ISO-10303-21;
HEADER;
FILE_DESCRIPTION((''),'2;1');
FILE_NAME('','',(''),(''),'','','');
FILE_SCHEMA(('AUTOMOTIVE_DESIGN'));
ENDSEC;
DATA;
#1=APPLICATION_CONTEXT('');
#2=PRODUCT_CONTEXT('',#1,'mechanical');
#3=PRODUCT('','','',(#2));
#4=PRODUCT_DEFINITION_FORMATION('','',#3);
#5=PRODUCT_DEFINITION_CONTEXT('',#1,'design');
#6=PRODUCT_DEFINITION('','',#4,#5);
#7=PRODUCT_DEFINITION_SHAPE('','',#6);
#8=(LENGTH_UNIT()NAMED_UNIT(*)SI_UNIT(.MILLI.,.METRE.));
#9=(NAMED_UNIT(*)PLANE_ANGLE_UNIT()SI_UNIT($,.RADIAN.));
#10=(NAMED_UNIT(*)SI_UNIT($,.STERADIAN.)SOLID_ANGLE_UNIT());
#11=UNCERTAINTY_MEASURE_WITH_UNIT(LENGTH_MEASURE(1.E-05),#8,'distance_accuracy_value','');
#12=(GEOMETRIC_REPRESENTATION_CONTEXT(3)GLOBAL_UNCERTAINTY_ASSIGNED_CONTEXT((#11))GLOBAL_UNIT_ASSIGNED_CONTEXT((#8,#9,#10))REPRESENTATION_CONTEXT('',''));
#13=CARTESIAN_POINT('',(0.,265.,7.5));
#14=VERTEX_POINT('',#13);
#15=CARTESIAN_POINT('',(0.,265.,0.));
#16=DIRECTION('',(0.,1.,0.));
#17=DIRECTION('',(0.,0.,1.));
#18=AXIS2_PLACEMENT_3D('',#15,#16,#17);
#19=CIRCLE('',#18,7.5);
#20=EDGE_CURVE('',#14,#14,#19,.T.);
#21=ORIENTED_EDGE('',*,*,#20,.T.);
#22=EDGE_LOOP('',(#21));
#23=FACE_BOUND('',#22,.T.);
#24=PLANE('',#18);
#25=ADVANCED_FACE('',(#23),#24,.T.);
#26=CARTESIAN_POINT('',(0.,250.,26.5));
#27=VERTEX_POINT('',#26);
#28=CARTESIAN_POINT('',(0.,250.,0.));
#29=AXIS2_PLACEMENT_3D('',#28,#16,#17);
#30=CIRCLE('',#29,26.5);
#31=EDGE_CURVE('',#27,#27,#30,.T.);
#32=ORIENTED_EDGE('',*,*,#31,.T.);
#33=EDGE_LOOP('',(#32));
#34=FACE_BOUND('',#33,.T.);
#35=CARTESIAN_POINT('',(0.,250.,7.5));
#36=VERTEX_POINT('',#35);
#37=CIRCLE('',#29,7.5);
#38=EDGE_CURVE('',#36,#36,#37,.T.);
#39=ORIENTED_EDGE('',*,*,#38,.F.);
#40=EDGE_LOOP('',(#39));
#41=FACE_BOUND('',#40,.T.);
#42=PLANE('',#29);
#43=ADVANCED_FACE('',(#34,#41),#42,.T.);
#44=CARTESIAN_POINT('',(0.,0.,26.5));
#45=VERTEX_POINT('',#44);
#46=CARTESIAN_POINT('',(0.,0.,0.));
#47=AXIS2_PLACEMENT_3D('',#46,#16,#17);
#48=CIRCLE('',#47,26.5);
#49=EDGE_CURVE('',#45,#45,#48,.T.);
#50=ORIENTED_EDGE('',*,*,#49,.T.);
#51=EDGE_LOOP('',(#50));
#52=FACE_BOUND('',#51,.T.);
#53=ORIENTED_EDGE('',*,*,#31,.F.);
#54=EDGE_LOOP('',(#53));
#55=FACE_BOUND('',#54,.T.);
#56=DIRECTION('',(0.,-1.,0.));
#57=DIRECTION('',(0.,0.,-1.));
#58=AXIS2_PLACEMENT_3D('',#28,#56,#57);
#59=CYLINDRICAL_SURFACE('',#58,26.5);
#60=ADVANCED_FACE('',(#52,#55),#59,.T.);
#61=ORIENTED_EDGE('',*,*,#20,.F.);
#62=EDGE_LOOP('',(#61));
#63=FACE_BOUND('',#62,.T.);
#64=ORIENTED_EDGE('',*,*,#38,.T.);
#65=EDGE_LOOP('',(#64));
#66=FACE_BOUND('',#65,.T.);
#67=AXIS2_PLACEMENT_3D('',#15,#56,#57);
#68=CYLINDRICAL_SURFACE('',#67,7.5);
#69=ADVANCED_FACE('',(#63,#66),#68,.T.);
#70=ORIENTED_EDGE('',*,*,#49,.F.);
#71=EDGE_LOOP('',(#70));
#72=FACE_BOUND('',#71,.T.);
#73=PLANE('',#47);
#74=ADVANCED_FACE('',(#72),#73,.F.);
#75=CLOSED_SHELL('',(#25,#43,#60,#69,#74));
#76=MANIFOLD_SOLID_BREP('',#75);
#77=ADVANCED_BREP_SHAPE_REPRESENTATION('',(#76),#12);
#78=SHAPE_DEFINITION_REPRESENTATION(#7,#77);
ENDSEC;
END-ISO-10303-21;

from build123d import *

# Parameters (mm, degrees)
SKETCH1_R           = 26.5
BOSS_EXTRUDE1_DEPTH = 250
SKETCH2_R           = 7.5
BOSS_EXTRUDE2_DEPTH = 15


with BuildPart() as part:
    # Sketch1 → Boss-Extrude1 (new body)
    with BuildSketch(Plane(origin=(0, 0, 0), x_dir=(1, 0, 0), z_dir=(0, 1, 0))):
        Circle(SKETCH1_R)
    extrude(amount=BOSS_EXTRUDE1_DEPTH)

    # Sketch2 → Boss-Extrude2 (add)
    with BuildSketch(Plane(origin=(0, 250, 0), x_dir=(1, 0, 0), z_dir=(0, 1, 0))):
        Circle(SKETCH2_R)
    extrude(amount=BOSS_EXTRUDE2_DEPTH)


solid = part.part
